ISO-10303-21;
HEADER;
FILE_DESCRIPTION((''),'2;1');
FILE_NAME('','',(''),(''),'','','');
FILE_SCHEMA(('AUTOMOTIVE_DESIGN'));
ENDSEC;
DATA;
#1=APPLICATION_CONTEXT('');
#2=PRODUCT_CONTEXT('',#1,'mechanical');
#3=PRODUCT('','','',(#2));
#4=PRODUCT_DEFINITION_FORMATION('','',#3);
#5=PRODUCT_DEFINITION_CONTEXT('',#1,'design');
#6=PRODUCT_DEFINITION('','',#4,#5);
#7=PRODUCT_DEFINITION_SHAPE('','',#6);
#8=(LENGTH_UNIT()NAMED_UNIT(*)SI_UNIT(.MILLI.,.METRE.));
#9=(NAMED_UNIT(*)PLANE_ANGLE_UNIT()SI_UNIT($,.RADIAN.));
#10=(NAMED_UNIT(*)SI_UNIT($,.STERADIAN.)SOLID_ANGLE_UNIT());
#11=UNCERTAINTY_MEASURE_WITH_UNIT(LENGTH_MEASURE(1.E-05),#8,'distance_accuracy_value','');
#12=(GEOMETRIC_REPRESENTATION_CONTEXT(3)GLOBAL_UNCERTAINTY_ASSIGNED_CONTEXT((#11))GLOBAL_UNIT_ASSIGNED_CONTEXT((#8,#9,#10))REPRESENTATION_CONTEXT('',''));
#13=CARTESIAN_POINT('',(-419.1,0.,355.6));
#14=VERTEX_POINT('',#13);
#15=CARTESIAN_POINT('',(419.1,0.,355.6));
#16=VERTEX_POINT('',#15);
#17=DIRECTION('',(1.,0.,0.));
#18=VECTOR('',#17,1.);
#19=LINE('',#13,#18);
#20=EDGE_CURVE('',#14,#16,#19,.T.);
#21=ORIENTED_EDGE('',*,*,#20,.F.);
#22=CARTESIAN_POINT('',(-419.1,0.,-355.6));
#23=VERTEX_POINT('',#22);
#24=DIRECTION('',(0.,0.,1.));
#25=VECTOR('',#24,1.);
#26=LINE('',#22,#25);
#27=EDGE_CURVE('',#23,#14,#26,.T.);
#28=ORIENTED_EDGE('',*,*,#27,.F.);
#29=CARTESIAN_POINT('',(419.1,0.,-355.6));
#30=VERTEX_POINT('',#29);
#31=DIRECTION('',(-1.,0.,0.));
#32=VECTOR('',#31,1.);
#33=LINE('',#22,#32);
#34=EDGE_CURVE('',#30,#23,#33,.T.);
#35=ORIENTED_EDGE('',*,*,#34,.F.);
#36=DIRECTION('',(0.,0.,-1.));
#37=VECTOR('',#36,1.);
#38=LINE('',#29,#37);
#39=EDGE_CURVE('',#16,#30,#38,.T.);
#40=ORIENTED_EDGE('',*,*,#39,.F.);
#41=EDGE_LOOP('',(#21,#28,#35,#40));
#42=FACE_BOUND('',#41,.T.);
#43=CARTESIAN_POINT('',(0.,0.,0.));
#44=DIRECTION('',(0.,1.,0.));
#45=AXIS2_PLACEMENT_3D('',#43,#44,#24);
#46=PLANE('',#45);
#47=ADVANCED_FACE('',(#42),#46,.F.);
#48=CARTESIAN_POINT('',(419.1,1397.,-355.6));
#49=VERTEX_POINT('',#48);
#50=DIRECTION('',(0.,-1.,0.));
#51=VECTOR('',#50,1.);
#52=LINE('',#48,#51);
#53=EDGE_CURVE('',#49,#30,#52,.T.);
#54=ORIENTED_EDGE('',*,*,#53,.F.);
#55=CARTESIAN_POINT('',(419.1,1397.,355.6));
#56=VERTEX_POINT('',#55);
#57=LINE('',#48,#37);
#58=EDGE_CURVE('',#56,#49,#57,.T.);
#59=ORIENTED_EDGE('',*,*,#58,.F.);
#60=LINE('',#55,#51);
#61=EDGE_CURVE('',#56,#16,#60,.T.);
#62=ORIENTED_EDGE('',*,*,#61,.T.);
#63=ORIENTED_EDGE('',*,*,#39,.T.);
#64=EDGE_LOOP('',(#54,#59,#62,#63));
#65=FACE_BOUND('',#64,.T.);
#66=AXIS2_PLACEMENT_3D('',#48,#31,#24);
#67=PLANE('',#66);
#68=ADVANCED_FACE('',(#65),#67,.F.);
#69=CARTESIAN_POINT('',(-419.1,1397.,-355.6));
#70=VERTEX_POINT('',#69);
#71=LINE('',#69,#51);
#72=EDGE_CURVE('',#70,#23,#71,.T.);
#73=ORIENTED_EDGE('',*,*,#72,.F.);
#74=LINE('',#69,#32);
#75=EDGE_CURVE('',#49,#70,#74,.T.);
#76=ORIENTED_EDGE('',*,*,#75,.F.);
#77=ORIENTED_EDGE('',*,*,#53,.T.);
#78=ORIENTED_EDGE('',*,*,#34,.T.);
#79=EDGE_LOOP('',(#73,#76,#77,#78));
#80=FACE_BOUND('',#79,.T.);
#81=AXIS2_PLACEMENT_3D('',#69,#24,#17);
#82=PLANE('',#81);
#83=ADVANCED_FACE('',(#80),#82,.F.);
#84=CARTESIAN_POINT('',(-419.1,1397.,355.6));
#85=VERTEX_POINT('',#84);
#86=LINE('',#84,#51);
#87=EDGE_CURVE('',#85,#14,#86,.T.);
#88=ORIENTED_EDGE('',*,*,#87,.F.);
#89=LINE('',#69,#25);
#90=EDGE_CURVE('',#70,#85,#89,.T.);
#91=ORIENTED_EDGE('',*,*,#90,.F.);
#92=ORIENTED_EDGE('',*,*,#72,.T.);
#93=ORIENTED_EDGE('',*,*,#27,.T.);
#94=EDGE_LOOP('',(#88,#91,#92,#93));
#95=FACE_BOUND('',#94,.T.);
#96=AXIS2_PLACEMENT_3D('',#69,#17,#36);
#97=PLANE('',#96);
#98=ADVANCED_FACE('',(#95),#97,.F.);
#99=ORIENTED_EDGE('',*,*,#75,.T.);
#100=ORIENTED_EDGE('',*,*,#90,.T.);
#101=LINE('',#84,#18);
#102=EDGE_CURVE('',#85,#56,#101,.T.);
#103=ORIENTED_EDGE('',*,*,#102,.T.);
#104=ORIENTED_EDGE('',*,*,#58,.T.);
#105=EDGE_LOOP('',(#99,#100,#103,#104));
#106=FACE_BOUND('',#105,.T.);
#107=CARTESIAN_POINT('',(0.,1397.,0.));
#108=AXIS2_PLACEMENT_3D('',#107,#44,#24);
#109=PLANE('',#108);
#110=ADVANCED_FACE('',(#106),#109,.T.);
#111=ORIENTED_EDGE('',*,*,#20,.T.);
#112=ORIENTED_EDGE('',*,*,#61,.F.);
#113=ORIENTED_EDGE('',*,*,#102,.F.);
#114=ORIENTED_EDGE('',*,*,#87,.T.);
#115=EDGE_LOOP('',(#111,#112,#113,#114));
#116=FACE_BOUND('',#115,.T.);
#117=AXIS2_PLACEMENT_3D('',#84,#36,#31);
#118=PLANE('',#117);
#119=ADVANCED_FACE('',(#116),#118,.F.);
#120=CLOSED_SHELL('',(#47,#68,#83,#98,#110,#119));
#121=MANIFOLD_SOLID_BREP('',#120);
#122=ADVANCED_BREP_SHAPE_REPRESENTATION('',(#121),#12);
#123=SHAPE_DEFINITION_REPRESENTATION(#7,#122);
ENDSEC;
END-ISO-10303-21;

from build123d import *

# Parameters (mm, degrees)
SKETCH1_W           = 838.2
SKETCH1_H           = 711.2
BOSS_EXTRUDE1_DEPTH = 1397


with BuildPart() as part:
    # Sketch1 → Boss-Extrude1 (new body)
    with BuildSketch(Plane(origin=(0, 0, 0), x_dir=(1, 0, 0), z_dir=(0, 1, 0))):
        Rectangle(SKETCH1_W, SKETCH1_H)
    extrude(amount=BOSS_EXTRUDE1_DEPTH)


solid = part.part
